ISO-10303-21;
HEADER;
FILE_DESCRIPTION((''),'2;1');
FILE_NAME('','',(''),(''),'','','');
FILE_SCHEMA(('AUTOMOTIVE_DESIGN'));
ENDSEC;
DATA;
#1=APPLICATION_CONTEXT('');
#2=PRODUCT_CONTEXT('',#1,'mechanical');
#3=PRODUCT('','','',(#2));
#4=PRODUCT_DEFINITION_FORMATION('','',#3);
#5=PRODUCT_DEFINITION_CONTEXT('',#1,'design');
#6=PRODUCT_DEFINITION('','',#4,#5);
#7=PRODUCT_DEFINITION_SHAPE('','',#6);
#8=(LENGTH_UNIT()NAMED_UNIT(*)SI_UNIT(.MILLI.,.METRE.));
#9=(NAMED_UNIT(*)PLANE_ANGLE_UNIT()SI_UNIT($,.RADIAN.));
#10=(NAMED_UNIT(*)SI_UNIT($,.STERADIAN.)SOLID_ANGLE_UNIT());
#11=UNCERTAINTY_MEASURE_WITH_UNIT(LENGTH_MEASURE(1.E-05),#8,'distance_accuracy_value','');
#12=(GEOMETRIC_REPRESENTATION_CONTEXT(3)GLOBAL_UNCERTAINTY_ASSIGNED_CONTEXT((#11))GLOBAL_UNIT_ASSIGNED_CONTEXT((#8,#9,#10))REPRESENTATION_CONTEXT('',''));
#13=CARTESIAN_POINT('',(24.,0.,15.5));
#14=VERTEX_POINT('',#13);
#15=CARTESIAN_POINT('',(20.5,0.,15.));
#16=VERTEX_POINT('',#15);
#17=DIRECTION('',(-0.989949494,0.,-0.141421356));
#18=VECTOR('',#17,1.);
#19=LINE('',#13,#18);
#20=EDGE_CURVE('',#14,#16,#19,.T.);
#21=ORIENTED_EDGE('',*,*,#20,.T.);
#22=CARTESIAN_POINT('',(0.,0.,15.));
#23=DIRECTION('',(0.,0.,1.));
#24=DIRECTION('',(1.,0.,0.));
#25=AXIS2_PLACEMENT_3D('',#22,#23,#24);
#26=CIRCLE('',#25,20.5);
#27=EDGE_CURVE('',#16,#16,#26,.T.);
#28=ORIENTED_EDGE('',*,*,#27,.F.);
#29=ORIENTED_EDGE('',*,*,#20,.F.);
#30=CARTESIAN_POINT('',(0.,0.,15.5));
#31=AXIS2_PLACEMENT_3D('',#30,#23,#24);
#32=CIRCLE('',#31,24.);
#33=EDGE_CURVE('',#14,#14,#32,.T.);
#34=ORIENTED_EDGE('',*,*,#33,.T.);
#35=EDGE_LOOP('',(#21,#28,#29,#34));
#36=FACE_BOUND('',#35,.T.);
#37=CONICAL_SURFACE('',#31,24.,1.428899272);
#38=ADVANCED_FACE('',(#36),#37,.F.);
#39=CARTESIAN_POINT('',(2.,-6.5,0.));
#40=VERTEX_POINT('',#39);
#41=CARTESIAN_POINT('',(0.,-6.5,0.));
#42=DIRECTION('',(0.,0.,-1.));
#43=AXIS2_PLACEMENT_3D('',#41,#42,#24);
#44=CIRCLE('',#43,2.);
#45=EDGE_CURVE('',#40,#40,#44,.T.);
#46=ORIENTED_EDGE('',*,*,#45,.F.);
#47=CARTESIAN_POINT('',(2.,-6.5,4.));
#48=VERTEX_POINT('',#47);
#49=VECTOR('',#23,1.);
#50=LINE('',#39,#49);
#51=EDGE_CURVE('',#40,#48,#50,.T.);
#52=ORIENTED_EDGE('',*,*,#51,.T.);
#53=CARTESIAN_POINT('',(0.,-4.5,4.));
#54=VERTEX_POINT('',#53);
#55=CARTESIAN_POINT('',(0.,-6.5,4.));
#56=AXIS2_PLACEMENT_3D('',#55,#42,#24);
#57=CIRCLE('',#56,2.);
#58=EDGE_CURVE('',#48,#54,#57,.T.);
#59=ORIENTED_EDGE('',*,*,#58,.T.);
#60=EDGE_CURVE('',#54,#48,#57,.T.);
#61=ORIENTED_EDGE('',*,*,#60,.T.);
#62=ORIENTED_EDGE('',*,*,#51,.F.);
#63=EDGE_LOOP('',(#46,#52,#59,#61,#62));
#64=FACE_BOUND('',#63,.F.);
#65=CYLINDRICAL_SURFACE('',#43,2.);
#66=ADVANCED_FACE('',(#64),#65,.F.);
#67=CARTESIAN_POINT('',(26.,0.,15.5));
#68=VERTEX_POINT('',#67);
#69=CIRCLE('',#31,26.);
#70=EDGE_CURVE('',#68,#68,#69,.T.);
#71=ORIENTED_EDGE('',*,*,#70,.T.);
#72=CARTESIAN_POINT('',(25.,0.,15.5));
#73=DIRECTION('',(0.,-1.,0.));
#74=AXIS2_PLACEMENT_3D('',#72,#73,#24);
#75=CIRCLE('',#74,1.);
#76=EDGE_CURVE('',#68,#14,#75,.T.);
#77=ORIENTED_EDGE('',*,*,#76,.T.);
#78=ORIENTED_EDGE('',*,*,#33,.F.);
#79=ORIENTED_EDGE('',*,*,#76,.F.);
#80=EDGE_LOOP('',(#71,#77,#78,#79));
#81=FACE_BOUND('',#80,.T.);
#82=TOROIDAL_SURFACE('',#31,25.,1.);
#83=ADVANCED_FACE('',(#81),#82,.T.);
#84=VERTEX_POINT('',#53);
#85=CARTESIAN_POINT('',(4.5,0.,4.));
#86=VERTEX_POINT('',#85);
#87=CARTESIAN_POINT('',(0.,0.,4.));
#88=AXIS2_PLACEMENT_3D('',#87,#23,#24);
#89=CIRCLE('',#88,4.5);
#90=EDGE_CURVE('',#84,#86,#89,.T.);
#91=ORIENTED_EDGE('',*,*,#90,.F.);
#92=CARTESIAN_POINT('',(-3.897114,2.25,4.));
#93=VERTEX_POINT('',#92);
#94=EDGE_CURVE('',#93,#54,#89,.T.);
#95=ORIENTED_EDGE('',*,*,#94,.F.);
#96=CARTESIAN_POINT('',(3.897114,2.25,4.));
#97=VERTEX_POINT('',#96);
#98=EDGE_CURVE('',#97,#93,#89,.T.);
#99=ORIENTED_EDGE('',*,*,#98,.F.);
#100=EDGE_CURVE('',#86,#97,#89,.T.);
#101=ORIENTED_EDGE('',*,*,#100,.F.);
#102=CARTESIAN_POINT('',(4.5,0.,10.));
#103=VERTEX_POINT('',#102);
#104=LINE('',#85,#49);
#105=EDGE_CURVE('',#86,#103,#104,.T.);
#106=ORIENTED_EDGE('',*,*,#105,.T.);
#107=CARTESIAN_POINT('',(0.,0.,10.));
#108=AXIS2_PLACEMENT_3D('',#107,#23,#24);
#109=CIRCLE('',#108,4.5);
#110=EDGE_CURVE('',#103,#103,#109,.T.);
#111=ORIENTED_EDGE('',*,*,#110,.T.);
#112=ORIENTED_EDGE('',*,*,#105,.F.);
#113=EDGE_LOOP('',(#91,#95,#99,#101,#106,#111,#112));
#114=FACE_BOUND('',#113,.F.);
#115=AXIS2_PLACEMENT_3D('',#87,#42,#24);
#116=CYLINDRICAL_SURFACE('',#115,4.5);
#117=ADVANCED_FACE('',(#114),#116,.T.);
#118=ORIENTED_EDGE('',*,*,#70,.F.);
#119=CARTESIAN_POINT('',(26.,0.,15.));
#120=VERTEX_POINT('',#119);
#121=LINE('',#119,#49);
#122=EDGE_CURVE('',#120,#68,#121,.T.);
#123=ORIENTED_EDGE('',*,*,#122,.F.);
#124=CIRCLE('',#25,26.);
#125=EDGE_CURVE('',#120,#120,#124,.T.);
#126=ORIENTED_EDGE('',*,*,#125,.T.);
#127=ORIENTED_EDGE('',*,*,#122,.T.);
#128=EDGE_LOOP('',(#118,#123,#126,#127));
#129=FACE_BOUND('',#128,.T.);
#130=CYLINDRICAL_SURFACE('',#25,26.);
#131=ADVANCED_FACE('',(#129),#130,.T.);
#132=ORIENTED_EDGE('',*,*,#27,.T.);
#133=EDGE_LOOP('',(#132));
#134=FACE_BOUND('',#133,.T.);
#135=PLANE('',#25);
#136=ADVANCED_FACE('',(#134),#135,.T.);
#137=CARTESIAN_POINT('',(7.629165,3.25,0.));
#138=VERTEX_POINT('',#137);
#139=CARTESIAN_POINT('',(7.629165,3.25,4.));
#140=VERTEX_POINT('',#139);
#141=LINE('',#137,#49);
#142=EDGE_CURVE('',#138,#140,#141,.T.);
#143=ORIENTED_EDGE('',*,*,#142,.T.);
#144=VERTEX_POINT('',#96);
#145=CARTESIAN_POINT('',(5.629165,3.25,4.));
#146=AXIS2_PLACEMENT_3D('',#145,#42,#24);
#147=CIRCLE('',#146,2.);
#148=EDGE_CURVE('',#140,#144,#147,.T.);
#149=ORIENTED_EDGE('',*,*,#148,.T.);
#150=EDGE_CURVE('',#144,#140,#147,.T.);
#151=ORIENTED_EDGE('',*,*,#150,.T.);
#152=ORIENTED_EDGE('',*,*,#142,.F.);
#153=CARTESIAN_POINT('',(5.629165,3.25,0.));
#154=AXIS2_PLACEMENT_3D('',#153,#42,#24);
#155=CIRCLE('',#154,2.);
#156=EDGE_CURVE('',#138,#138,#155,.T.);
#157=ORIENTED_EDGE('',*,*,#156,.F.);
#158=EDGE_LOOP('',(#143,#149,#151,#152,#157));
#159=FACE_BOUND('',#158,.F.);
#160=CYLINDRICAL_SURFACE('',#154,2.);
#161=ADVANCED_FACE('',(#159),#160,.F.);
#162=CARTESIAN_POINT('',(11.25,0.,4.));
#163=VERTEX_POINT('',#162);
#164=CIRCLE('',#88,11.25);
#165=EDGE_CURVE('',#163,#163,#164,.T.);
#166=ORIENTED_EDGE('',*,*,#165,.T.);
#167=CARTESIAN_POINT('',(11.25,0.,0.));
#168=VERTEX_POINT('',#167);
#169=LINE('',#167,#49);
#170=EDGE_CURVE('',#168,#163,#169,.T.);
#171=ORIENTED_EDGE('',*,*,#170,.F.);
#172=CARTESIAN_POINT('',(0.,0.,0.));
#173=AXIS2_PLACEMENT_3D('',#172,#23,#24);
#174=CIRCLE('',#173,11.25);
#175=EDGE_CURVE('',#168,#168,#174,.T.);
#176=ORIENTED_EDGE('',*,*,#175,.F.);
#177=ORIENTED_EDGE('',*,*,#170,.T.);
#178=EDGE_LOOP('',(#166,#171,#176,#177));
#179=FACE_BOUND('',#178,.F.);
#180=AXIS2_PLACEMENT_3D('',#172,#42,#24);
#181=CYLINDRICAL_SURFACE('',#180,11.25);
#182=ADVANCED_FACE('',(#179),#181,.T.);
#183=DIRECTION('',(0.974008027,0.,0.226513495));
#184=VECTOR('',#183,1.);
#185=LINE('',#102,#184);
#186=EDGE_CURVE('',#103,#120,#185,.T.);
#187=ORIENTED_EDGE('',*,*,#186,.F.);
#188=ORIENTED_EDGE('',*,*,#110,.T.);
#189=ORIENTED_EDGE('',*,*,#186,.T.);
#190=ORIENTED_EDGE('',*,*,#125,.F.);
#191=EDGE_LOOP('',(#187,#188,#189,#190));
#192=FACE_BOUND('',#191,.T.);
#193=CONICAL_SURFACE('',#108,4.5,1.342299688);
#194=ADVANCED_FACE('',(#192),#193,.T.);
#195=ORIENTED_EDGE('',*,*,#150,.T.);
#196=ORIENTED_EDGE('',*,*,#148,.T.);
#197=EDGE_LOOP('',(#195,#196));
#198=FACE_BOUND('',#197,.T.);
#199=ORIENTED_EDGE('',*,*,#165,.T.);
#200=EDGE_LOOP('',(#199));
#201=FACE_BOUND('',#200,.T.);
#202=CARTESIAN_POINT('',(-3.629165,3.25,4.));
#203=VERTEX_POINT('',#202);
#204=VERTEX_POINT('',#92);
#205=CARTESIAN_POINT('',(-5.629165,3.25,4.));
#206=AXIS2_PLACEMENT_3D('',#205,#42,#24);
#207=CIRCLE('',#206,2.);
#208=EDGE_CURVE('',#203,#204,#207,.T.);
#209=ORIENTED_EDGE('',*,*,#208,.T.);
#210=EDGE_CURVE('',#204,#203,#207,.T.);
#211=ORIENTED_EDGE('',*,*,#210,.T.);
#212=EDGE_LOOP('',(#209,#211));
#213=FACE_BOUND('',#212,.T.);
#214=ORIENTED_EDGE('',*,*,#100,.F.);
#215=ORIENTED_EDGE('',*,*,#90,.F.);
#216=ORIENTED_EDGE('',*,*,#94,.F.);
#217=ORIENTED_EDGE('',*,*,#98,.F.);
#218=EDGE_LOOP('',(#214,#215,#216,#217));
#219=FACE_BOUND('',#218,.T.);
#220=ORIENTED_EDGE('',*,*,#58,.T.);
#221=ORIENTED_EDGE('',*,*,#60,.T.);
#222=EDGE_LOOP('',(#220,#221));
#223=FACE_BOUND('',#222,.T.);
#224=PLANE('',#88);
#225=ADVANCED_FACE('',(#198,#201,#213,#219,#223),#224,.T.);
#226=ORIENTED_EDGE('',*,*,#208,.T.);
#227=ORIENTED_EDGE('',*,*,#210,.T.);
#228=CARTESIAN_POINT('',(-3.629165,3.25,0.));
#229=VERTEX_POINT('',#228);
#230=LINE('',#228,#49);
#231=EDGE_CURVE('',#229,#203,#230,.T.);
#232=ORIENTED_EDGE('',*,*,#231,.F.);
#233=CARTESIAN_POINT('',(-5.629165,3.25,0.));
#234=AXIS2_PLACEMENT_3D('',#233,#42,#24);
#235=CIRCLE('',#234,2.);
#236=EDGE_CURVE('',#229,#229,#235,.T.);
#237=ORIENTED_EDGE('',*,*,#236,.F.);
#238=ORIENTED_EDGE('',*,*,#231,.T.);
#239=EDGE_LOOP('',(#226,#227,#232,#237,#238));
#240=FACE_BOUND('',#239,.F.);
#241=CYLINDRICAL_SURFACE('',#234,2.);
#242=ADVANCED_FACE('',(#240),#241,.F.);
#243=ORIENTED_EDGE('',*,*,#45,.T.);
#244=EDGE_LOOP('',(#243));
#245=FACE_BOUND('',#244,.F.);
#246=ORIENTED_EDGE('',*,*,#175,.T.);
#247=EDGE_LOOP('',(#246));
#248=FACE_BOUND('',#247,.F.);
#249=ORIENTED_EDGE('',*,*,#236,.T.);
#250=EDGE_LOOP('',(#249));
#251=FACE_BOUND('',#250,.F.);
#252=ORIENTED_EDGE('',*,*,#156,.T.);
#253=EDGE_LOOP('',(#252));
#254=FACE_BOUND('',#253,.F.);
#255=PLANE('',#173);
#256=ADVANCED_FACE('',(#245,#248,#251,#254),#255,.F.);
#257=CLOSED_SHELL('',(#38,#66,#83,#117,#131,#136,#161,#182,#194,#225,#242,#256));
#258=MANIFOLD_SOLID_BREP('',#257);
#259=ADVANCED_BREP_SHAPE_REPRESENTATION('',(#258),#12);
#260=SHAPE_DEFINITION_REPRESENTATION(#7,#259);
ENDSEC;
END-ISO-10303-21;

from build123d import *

# Parameters (mm, degrees)
F0_R     = 11.25
F1_DEPTH = 4
F2_R     = 4.5
F3_DEPTH = 6
F6_R     = 2
F7_DEPTH = 4


with BuildPart() as f1:
    # F0 (on Top) → F1 (new body)
    with BuildSketch(Plane.XY):
        Circle(F0_R)
    extrude(amount=F1_DEPTH)

    # F2 (on face) → F3 (join)
    with BuildSketch(Plane.XY.offset(4)):
        Circle(F2_R)
    extrude(amount=F3_DEPTH)

    # F4 (on Front) → F5 (revolve)
    with BuildSketch(Plane.XZ):
        with BuildLine():
            Line((20.5, 15), (0, 15))
            Line((0, 15), (0, 10))
            Line((0, 10), (4.5, 10))
            Line((4.5, 10), (26, 15))
            Line((26, 15), (26, 15.5))
            ThreePointArc((26, 15.5), (25, 16.5), (24, 15.5))
            Line((24, 15.5), (20.5, 15))
        make_face()
    revolve(axis=Axis((0, 0, 19.201497), (0, 0, 1)))

    # F6 (on face) → F7 (cut, through all)
    with BuildSketch(Plane(origin=(0, 0, 0), x_dir=(1, 0, 0), z_dir=(0, 0, -1))):
        with Locations((-5.629165, -3.25)):
            Circle(F6_R)
        with Locations((5.629165, -3.25)):
            Circle(F6_R)
        with Locations((0, 6.5)):
            Circle(F6_R)
    extrude(amount=-F7_DEPTH, mode=Mode.SUBTRACT)


solid = f1.part
